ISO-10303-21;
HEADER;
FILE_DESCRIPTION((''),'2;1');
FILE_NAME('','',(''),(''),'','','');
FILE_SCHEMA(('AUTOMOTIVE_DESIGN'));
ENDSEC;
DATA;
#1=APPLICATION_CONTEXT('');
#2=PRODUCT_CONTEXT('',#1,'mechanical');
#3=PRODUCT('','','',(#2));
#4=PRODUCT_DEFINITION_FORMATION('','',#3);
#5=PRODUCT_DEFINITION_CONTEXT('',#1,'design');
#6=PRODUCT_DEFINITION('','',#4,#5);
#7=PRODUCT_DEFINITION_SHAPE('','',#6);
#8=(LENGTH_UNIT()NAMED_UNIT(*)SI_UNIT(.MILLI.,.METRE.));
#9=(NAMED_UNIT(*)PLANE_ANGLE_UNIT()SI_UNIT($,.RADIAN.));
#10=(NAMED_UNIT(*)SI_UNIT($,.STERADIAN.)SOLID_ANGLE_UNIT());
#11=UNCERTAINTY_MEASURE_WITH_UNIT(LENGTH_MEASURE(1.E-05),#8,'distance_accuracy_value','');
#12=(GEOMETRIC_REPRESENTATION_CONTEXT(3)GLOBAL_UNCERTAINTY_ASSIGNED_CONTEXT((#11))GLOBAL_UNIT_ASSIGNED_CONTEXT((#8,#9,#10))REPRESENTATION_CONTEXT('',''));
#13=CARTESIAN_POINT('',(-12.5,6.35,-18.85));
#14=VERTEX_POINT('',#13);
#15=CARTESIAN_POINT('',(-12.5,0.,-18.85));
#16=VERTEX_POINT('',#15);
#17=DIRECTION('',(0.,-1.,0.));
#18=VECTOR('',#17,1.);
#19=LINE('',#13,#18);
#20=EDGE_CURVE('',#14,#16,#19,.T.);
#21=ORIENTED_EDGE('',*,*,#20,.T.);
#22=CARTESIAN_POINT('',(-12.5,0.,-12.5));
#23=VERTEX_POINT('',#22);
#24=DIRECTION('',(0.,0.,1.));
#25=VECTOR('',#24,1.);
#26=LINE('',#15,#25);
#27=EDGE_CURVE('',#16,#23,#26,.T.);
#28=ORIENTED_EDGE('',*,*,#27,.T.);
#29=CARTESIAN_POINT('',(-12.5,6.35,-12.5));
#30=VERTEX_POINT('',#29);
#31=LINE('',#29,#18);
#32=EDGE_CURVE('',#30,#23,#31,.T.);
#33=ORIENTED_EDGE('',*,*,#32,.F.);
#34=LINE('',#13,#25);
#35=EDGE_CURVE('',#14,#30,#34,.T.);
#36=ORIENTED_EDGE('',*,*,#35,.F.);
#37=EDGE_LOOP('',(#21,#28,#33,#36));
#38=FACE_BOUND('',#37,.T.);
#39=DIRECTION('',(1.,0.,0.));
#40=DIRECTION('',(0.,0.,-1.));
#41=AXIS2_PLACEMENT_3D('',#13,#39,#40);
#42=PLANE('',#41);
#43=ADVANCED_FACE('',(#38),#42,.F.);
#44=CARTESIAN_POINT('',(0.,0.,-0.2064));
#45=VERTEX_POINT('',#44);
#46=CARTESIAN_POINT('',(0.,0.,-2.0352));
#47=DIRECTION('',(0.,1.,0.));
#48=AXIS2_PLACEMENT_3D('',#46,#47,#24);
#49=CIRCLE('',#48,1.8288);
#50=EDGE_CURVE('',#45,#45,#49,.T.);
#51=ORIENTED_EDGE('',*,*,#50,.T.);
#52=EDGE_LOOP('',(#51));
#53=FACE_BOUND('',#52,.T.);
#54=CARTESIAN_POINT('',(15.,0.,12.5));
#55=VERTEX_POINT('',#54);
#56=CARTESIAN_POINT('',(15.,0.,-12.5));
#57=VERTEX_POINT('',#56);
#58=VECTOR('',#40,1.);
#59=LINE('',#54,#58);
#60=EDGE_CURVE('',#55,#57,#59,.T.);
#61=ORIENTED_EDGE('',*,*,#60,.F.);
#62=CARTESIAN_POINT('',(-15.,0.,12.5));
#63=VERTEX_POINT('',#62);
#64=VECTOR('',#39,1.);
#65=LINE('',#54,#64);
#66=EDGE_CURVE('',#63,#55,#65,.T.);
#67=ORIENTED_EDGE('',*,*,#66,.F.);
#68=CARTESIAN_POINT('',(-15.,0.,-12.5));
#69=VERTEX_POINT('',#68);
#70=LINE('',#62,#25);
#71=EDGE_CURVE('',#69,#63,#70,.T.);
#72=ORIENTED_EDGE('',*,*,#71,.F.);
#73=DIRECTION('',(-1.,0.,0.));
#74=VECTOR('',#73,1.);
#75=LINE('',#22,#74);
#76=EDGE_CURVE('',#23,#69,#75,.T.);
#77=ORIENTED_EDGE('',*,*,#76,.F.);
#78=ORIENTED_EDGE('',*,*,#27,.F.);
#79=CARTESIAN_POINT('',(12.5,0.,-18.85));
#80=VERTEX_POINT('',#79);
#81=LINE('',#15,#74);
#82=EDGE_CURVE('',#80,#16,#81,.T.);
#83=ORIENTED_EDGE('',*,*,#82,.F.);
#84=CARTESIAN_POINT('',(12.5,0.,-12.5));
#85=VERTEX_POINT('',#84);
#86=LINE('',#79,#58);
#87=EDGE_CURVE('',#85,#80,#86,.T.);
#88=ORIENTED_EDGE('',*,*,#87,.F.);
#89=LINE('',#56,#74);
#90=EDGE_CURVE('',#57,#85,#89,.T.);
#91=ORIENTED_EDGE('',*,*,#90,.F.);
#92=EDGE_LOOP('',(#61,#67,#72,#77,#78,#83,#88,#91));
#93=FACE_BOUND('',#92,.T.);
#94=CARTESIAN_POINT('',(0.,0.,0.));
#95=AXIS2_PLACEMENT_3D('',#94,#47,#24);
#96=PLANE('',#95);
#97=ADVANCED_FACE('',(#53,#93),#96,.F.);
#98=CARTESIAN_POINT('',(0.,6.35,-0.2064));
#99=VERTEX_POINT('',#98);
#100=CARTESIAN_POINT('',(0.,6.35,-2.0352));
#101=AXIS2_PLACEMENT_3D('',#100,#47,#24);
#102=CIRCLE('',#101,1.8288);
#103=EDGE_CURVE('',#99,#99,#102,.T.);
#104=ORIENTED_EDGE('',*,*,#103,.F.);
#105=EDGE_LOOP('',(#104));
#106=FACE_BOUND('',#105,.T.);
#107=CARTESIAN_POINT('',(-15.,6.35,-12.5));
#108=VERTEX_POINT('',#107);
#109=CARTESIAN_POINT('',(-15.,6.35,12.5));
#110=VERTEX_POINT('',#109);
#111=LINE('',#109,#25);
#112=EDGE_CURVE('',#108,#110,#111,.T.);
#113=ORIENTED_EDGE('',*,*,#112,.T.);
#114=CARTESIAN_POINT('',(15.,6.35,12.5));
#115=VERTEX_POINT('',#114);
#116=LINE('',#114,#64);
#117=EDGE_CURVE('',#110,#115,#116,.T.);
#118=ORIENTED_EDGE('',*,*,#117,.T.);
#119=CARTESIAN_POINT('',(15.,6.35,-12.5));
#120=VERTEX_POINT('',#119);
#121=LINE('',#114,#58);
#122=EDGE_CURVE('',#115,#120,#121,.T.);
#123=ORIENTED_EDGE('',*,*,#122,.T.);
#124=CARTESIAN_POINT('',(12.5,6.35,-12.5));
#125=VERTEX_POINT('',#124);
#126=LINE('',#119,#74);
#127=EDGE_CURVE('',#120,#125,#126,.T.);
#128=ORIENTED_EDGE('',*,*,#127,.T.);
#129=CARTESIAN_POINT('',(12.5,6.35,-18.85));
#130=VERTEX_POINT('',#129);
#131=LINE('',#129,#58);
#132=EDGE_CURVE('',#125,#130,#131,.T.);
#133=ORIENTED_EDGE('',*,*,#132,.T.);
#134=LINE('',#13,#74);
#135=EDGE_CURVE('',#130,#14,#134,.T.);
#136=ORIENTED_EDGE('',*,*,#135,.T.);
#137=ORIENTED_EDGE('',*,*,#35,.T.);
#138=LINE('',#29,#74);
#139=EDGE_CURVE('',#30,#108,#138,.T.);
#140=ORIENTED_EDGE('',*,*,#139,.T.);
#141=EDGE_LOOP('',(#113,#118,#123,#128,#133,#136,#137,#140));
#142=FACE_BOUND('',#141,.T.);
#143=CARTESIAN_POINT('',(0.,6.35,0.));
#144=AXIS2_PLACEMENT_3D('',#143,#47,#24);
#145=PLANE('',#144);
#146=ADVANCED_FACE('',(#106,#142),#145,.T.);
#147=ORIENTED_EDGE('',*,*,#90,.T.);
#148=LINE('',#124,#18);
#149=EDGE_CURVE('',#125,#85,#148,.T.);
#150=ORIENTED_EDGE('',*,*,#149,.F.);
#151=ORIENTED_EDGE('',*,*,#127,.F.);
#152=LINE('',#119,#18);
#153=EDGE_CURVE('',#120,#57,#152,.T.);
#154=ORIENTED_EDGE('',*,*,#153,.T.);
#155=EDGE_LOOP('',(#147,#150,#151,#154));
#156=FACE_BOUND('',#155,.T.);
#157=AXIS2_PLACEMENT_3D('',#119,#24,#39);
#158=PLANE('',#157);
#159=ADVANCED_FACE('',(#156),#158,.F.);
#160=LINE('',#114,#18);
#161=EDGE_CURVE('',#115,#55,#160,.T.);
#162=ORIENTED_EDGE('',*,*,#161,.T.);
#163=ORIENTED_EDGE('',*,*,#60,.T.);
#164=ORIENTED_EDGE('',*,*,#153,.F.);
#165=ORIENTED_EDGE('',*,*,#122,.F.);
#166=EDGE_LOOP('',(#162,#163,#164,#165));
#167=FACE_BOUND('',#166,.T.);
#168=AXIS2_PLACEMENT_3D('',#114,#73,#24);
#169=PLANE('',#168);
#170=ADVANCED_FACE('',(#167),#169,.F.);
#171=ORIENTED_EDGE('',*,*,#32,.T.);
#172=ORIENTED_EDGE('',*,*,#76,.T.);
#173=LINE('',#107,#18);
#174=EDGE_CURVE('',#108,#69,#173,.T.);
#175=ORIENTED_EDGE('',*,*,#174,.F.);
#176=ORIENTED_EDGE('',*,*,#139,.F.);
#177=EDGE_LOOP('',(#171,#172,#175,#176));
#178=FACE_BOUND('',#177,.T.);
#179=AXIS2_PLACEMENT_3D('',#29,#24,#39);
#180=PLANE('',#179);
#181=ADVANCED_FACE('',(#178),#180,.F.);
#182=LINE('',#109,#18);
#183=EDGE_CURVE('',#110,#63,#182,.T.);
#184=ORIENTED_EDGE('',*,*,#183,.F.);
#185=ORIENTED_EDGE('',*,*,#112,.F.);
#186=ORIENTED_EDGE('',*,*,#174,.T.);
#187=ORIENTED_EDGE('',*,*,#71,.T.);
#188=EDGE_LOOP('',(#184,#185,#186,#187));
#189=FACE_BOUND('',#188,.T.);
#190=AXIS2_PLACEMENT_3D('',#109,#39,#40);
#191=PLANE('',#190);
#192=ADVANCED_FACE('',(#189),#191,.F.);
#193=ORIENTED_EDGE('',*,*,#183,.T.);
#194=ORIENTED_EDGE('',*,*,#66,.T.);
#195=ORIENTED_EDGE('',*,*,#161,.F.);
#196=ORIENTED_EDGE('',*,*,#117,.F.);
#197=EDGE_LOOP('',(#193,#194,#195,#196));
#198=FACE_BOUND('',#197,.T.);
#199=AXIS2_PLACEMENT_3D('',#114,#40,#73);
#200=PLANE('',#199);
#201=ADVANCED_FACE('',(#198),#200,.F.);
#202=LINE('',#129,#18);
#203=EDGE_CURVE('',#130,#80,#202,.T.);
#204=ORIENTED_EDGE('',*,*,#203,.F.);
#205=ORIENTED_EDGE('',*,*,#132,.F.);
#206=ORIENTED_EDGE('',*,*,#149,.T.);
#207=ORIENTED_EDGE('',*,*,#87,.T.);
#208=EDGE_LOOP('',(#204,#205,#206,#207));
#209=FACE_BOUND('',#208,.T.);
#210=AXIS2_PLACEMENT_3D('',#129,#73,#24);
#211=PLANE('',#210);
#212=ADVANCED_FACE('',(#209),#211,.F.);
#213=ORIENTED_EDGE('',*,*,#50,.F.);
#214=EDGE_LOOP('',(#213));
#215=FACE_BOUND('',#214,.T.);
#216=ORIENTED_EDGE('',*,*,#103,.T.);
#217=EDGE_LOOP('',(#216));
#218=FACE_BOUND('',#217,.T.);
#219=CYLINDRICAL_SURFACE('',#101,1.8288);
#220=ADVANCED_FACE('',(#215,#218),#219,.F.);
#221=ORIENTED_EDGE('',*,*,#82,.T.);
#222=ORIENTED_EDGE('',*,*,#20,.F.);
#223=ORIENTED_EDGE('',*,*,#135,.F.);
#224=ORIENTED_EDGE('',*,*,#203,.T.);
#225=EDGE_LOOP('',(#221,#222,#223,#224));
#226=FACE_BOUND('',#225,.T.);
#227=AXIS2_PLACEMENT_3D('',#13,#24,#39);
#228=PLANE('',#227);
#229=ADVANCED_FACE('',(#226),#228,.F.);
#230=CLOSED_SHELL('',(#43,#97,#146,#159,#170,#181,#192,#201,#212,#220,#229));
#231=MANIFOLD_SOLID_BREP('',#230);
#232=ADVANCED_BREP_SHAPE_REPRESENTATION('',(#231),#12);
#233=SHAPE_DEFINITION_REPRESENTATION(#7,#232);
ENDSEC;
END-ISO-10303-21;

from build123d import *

# Parameters (mm, degrees)
BOSS_EXTRUDE1_DEPTH   = 6.35
F_6_CLEARANCE_HOLE1_D = 3.6576


with BuildPart() as part:
    # Sketch1 → Boss-Extrude1 (new body)
    with BuildSketch(Plane(origin=(0, 0, 0), x_dir=(1, 0, 0), z_dir=(0, 1, 0))):
        Polygon((-12.5, 12.5), (-15, 12.5), (-15, -12.5), (15, -12.5), (15, 12.5), (12.5, 12.5), (12.5, 18.85), (-12.5, 18.85), align=None)
    extrude(amount=BOSS_EXTRUDE1_DEPTH)

    # #6 Clearance Hole1 (through all)
    with Locations(Plane(origin=(0, 6.35, -2.0352), x_dir=(0, 0, 1), z_dir=(0, 1, 0))):
        with Locations((0, 0)):
            Hole(F_6_CLEARANCE_HOLE1_D / 2)


solid = part.part
